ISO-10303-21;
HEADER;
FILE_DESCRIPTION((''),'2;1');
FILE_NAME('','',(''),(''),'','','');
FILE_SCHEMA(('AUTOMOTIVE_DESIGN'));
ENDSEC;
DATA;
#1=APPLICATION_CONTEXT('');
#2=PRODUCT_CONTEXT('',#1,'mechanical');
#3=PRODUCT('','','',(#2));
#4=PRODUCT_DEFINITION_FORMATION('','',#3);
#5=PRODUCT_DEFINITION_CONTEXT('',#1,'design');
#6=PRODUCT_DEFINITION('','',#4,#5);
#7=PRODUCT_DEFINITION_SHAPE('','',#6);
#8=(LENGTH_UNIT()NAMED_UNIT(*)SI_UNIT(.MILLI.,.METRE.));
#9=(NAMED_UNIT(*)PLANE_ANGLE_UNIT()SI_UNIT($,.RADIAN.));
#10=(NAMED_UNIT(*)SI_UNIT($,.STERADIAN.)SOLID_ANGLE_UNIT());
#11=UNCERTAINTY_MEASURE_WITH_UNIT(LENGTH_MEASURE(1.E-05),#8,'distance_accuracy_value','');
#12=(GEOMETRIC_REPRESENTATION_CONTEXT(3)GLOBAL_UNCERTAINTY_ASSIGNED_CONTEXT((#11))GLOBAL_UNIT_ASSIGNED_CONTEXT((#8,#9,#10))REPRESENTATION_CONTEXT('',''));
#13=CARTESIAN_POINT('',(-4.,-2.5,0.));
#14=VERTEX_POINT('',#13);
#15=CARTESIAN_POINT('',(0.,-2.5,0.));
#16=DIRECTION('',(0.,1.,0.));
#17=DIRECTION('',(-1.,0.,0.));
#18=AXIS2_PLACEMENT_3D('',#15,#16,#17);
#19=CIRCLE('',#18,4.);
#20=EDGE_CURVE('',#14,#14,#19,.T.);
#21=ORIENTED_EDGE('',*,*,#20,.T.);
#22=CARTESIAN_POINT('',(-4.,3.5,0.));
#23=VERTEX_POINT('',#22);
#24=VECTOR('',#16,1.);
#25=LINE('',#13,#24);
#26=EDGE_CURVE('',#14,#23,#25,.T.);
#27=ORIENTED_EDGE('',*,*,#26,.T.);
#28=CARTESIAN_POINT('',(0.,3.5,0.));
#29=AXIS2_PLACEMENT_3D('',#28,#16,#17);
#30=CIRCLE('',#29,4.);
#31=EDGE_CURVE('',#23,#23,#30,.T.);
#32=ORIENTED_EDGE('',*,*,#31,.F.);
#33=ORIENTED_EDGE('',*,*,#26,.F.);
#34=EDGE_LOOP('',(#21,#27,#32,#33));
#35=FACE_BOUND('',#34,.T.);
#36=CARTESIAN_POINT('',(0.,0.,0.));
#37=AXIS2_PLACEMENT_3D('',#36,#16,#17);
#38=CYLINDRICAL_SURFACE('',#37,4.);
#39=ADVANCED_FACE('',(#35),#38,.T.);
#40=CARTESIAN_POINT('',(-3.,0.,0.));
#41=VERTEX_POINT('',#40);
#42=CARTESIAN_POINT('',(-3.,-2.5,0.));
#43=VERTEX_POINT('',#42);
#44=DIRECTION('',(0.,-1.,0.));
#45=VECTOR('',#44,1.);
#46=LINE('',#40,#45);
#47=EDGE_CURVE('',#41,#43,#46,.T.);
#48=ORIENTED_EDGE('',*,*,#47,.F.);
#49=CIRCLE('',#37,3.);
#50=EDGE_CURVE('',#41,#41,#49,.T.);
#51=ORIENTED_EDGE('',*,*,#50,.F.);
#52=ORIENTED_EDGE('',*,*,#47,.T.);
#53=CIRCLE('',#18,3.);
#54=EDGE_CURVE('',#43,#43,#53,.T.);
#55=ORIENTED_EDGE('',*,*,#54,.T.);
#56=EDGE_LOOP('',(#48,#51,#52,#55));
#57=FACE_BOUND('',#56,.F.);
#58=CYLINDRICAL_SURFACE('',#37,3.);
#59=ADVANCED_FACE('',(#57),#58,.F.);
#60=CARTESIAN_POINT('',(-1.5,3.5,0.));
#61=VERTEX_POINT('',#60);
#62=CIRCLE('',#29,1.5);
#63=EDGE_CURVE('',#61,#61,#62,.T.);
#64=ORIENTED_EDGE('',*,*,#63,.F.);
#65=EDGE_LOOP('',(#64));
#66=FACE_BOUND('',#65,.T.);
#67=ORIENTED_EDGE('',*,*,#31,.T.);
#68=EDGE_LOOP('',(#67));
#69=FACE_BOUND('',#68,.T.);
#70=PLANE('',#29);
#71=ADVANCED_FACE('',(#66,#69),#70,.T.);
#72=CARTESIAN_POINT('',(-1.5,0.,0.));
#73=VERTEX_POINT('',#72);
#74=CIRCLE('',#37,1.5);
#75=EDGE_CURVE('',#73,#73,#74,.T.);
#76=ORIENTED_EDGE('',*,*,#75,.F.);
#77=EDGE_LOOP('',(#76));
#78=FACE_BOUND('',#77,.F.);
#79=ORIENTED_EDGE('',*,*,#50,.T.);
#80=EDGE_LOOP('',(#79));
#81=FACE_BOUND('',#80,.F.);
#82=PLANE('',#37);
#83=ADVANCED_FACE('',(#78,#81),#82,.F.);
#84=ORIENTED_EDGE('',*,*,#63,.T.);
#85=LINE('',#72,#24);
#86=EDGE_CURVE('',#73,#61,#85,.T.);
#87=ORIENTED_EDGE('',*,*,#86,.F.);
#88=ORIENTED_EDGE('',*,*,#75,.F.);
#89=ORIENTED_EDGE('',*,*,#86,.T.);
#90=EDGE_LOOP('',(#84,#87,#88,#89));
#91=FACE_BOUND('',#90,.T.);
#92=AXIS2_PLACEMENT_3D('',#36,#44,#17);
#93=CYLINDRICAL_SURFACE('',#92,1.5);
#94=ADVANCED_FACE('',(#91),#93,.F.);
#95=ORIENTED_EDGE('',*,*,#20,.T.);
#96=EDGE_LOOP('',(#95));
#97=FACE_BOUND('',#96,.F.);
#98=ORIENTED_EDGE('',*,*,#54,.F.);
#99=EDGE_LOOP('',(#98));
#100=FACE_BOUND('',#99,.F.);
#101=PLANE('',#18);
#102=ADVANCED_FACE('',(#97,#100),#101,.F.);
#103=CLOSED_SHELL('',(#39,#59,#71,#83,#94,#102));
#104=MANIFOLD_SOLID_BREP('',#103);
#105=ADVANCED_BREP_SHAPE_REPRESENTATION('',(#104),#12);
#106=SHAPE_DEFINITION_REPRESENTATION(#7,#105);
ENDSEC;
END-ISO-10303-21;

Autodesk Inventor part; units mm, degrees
ref_plane "YZ Plane" through (0, 0, 0) normal (1, 0, 0) x (0, 1, 0)
ref_plane "XZ Plane" through (0, 0, 0) normal (0, 1, 0) x (-1, 0, 0)
ref_plane "XY Plane" through (0, 0, 0) normal (0, 0, 1) x (1, 0, 0)
sketch "Sketch1" plane through (0, 0, 0) normal (0, 1, 0) x (-1, 0, 0)
  circle A0 centre (0, 0) radius 4
  circle A1 centre (0, 0) radius 3
  circle A2 centre (0, 0) radius 1.5
  dimension "d4" = 8
  dimension "d11" = 6
  dimension "d12" = 3
extrude "Wyciągnięcie proste5" add sketch "Sketch1" against normal blind 2.5 contours A0
extrude "Wyciągnięcie proste6" add sketch "Sketch1" along normal blind 3.5 contours A0 | A1
properties part number "magnet_holder"
